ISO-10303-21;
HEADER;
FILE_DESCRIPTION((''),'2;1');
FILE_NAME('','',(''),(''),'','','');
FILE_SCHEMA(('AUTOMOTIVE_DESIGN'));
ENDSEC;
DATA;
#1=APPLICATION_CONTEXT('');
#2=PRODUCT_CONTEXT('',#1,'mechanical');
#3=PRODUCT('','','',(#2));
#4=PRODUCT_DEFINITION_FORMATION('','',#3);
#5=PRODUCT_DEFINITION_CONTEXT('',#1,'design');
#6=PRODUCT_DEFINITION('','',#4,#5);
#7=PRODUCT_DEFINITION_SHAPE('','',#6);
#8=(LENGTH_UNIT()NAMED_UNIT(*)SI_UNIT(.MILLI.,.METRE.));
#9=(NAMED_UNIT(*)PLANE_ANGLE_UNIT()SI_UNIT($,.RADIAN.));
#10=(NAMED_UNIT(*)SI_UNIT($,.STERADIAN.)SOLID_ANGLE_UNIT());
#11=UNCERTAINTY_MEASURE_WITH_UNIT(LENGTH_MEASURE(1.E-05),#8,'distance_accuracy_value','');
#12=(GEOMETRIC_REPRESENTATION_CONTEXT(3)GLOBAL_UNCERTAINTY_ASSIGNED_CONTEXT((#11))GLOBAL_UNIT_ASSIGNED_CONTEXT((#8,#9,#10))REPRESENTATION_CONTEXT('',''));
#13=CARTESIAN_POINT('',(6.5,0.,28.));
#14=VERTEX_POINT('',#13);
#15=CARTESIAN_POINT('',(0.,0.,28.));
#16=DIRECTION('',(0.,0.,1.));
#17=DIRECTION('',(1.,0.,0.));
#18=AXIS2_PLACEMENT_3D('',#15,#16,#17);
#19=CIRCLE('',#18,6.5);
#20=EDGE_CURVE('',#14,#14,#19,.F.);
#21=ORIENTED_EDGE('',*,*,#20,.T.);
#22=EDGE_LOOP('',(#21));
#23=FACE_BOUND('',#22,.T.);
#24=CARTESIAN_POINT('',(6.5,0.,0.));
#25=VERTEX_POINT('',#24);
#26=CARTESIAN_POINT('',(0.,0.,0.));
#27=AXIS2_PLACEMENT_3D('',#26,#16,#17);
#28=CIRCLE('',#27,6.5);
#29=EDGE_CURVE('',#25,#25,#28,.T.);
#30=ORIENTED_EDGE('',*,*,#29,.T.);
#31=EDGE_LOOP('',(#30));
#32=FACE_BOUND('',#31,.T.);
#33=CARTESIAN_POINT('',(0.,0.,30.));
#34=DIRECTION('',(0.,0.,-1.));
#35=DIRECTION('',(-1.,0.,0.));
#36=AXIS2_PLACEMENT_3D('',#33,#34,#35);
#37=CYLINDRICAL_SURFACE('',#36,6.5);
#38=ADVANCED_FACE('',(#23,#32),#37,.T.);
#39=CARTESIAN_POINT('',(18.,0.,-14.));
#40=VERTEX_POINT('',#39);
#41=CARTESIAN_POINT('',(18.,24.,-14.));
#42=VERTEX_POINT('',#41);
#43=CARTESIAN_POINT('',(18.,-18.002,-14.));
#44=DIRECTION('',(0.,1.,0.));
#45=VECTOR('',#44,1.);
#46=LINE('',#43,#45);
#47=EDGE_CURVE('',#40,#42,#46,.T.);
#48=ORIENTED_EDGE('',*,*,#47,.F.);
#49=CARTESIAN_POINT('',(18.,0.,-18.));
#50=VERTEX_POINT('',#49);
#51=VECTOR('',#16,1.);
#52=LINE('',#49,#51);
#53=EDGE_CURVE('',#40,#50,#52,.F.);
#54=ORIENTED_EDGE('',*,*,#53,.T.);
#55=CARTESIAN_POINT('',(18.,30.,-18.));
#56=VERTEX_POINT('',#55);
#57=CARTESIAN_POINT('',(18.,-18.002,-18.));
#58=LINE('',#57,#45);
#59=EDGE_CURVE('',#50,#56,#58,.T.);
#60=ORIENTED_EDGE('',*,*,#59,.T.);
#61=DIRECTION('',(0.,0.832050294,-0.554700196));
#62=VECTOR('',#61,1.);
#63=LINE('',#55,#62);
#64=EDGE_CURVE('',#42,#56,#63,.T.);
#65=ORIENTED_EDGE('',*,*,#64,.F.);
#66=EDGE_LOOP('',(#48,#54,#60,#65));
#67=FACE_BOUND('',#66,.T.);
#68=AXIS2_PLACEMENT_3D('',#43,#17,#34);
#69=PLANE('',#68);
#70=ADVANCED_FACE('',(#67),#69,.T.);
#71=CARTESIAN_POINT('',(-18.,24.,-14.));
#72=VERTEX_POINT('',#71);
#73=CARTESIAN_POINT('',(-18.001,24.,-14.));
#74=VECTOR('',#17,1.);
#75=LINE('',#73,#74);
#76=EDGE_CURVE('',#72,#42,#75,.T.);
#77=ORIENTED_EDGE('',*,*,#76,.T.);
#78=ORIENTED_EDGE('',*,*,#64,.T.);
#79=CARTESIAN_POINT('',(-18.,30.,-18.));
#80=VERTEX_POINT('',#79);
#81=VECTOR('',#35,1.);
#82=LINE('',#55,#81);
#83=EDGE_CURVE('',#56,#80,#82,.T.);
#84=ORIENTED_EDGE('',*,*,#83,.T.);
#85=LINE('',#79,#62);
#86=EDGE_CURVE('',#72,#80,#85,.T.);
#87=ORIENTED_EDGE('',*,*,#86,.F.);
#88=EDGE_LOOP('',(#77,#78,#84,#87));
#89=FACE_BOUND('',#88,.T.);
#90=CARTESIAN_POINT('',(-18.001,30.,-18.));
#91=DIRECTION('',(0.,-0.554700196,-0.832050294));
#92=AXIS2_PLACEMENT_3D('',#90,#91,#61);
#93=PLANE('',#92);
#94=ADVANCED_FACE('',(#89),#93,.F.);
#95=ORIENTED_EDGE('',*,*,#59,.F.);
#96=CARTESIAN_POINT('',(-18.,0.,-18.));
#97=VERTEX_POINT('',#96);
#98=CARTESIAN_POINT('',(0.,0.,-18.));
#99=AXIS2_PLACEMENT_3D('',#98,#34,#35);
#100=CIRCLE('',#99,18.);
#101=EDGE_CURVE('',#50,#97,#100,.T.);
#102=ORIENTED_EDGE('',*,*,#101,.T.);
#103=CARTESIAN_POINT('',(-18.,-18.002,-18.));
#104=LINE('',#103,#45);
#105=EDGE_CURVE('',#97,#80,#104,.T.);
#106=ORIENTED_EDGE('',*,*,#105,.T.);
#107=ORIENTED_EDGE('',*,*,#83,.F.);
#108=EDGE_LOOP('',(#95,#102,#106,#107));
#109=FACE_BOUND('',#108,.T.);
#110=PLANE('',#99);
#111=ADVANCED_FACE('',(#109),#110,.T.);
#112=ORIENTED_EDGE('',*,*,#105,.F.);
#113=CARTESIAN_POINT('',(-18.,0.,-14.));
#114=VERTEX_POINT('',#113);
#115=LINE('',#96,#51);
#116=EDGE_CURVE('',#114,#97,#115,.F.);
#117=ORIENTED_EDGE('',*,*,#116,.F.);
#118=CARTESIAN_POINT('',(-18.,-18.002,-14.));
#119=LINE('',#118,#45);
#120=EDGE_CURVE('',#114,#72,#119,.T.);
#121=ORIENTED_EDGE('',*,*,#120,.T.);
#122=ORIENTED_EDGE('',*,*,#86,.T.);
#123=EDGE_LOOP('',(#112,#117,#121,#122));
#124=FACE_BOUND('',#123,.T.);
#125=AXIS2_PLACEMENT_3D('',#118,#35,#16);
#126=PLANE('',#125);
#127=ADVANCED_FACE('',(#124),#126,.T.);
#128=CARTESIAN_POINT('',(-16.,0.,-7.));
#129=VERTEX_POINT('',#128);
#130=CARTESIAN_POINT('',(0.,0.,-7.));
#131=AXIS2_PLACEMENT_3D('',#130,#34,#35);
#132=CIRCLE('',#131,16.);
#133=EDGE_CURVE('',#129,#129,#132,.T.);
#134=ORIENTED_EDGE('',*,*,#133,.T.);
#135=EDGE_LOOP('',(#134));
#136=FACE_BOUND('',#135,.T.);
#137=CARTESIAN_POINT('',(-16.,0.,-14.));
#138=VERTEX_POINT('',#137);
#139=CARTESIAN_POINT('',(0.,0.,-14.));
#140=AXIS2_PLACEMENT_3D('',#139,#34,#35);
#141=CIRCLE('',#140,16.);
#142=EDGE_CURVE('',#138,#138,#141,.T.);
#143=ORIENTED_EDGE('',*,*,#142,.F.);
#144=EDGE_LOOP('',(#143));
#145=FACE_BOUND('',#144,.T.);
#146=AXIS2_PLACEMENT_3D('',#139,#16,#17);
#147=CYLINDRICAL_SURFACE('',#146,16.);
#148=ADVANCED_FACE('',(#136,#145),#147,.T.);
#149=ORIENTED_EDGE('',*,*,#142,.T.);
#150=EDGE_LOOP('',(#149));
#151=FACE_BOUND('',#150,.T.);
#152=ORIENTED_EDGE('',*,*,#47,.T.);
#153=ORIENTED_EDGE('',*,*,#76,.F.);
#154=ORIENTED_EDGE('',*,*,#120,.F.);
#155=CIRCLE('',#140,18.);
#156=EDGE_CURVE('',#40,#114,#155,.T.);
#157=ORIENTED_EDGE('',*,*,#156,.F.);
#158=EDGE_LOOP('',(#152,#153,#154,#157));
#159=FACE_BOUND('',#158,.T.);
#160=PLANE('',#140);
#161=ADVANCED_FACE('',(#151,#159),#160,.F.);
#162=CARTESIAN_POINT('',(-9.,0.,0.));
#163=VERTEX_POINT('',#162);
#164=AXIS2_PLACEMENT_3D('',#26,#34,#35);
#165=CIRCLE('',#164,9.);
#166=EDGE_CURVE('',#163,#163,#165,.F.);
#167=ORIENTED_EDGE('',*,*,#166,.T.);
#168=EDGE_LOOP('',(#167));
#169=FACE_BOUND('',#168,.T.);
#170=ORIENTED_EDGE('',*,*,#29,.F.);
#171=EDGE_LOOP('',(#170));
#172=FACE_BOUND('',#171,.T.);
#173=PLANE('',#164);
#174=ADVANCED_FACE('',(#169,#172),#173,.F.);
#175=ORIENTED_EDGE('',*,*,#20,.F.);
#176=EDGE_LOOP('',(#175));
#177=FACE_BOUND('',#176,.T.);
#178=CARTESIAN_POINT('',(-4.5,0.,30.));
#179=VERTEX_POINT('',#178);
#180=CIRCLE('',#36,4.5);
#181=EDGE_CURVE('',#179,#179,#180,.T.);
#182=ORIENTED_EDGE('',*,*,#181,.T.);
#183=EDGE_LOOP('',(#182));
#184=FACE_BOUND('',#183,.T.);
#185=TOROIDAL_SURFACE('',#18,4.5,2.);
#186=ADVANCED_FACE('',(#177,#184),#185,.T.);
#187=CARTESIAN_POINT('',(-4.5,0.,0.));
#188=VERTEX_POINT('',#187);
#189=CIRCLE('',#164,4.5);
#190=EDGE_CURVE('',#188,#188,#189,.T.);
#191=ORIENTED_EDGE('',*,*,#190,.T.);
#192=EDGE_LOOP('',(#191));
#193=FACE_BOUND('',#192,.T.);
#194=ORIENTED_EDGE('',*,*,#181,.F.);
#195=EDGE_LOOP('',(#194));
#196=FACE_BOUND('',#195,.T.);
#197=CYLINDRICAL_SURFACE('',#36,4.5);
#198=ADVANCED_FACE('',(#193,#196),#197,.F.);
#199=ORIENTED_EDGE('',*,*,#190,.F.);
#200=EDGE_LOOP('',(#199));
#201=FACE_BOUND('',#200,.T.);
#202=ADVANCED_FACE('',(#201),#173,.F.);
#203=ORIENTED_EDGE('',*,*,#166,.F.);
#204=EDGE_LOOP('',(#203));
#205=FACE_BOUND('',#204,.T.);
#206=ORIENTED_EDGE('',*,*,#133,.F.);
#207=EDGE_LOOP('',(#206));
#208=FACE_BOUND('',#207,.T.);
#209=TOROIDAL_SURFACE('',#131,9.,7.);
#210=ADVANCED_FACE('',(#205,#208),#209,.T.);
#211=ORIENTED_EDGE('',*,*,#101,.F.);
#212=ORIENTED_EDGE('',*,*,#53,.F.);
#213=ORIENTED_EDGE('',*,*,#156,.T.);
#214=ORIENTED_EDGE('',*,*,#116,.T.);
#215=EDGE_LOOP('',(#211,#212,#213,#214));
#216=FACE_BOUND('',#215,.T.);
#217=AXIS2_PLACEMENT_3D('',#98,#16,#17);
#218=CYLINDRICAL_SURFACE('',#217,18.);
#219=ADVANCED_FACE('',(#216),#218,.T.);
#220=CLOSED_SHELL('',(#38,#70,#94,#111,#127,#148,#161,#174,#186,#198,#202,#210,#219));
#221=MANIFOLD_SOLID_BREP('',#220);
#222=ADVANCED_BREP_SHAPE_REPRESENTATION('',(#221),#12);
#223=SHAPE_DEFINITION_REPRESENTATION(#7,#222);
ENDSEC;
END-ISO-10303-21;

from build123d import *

# Parameters (mm, degrees)
SZKIC1_R                         = 6.5
DODANIE_WYCI_GNI_CIE1_DEPTH      = 30
ZAOKR_GLENIE1_R                  = 2
SZKIC2_R                         = 4.5
WYTNIJ_WYCI_GNI_CIE1_DEPTH       = 30
SZKIC3_R                         = 16
DODANIE_WYCI_GNI_CIE2_DEPTH      = 14
ZAOKR_GLENIE2_R                  = 7
SZKIC4_R                         = 18
DODANIE_WYCI_GNI_CIE3_DEPTH      = 4
DODANIE_WYCI_GNI_CIE4_REACH      = 61.397
DODANIE_WYCI_GNI_CIE4_END_RADIUS = 18
SZKIC5_W                         = 36
SZKIC5_H                         = 4
WYTNIJ_WYCI_GNI_CIE2_REACH       = 57.642


with BuildPart() as part:
    # Szkic1 → Dodanie-wyciągnięcie1 (new body)
    with BuildSketch(Plane.XY):
        Circle(SZKIC1_R)
    extrude(amount=DODANIE_WYCI_GNI_CIE1_DEPTH)

    # Zaokrąglenie1
    zaokr_glenie1_edges = [part.edges().sort_by_distance(p)[0] for p in [
        (-6.5, 0, 30),
    ]]
    fillet(zaokr_glenie1_edges, radius=ZAOKR_GLENIE1_R)

    # Szkic2 → Wytnij-wyciągnięcie1 (cut)
    with BuildSketch(Plane(origin=(0, 0, 0), x_dir=(-1, 0, 0), z_dir=(0, 0, -1))):
        Circle(SZKIC2_R)
    extrude(amount=-WYTNIJ_WYCI_GNI_CIE1_DEPTH, mode=Mode.SUBTRACT)

    # Szkic3 → Dodanie-wyciągnięcie2 (add)
    with BuildSketch(Plane(origin=(0, 0, 0), x_dir=(-1, 0, 0), z_dir=(0, 0, -1))):
        Circle(SZKIC3_R)
    extrude(amount=DODANIE_WYCI_GNI_CIE2_DEPTH)

    # Zaokrąglenie2
    zaokr_glenie2_edges = [part.edges().sort_by_distance(p)[0] for p in [
        (16, 0, 0),
    ]]
    fillet(zaokr_glenie2_edges, radius=ZAOKR_GLENIE2_R)

    # Szkic4 → Dodanie-wyciągnięcie3 (add)
    with BuildSketch(Plane(origin=(0, 0, -14), x_dir=(-1, 0, 0), z_dir=(0, 0, -1))):
        Circle(SZKIC4_R)
    extrude(amount=DODANIE_WYCI_GNI_CIE3_DEPTH)

    # Dodanie-wyciągnięcie4: up to this cylinder (the profile starts outside it)
    dodanie_wyci_gni_cie4_end = Plane(origin=(0, 0, -16), z_dir=(0, 0, 1)) * Cylinder(DODANIE_WYCI_GNI_CIE4_END_RADIUS, 159.794, mode=Mode.PRIVATE)
    # Szkic5 → Dodanie-wyciągnięcie4 (add, up to the surface)
    with BuildSketch(Plane(origin=(0, 30, 0), x_dir=(1, 0, 0), z_dir=(0, 1, 0)), mode=Mode.PRIVATE) as dodanie_wyci_gni_cie4_sk1:
        with Locations((0, 16)):
            Rectangle(SZKIC5_W, SZKIC5_H)
    dodanie_wyci_gni_cie4_tool1 = extrude(dodanie_wyci_gni_cie4_sk1.sketch, amount=-DODANIE_WYCI_GNI_CIE4_REACH, mode=Mode.PRIVATE) - dodanie_wyci_gni_cie4_end
    add(dodanie_wyci_gni_cie4_tool1.solids().sort_by_distance((0, 30, -16))[0])

    # Szkic6 → Wytnij-wyciągnięcie2 (cut, up to next)
    with BuildSketch(Plane(origin=(18, 0, 0), x_dir=(0, 0, -1), z_dir=(1, 0, 0)), mode=Mode.PRIVATE) as wytnij_wyci_gni_cie2_sk1:
        Polygon((18, 30), (14, 24), (14, 30), align=None)
    wytnij_wyci_gni_cie2_tool1 = extrude(wytnij_wyci_gni_cie2_sk1.sketch, amount=-WYTNIJ_WYCI_GNI_CIE2_REACH, mode=Mode.PRIVATE) & part.part
    add(wytnij_wyci_gni_cie2_tool1.solids().sort_by_distance((18, 28, -15.333333))[0], mode=Mode.SUBTRACT)


solid = part.part
